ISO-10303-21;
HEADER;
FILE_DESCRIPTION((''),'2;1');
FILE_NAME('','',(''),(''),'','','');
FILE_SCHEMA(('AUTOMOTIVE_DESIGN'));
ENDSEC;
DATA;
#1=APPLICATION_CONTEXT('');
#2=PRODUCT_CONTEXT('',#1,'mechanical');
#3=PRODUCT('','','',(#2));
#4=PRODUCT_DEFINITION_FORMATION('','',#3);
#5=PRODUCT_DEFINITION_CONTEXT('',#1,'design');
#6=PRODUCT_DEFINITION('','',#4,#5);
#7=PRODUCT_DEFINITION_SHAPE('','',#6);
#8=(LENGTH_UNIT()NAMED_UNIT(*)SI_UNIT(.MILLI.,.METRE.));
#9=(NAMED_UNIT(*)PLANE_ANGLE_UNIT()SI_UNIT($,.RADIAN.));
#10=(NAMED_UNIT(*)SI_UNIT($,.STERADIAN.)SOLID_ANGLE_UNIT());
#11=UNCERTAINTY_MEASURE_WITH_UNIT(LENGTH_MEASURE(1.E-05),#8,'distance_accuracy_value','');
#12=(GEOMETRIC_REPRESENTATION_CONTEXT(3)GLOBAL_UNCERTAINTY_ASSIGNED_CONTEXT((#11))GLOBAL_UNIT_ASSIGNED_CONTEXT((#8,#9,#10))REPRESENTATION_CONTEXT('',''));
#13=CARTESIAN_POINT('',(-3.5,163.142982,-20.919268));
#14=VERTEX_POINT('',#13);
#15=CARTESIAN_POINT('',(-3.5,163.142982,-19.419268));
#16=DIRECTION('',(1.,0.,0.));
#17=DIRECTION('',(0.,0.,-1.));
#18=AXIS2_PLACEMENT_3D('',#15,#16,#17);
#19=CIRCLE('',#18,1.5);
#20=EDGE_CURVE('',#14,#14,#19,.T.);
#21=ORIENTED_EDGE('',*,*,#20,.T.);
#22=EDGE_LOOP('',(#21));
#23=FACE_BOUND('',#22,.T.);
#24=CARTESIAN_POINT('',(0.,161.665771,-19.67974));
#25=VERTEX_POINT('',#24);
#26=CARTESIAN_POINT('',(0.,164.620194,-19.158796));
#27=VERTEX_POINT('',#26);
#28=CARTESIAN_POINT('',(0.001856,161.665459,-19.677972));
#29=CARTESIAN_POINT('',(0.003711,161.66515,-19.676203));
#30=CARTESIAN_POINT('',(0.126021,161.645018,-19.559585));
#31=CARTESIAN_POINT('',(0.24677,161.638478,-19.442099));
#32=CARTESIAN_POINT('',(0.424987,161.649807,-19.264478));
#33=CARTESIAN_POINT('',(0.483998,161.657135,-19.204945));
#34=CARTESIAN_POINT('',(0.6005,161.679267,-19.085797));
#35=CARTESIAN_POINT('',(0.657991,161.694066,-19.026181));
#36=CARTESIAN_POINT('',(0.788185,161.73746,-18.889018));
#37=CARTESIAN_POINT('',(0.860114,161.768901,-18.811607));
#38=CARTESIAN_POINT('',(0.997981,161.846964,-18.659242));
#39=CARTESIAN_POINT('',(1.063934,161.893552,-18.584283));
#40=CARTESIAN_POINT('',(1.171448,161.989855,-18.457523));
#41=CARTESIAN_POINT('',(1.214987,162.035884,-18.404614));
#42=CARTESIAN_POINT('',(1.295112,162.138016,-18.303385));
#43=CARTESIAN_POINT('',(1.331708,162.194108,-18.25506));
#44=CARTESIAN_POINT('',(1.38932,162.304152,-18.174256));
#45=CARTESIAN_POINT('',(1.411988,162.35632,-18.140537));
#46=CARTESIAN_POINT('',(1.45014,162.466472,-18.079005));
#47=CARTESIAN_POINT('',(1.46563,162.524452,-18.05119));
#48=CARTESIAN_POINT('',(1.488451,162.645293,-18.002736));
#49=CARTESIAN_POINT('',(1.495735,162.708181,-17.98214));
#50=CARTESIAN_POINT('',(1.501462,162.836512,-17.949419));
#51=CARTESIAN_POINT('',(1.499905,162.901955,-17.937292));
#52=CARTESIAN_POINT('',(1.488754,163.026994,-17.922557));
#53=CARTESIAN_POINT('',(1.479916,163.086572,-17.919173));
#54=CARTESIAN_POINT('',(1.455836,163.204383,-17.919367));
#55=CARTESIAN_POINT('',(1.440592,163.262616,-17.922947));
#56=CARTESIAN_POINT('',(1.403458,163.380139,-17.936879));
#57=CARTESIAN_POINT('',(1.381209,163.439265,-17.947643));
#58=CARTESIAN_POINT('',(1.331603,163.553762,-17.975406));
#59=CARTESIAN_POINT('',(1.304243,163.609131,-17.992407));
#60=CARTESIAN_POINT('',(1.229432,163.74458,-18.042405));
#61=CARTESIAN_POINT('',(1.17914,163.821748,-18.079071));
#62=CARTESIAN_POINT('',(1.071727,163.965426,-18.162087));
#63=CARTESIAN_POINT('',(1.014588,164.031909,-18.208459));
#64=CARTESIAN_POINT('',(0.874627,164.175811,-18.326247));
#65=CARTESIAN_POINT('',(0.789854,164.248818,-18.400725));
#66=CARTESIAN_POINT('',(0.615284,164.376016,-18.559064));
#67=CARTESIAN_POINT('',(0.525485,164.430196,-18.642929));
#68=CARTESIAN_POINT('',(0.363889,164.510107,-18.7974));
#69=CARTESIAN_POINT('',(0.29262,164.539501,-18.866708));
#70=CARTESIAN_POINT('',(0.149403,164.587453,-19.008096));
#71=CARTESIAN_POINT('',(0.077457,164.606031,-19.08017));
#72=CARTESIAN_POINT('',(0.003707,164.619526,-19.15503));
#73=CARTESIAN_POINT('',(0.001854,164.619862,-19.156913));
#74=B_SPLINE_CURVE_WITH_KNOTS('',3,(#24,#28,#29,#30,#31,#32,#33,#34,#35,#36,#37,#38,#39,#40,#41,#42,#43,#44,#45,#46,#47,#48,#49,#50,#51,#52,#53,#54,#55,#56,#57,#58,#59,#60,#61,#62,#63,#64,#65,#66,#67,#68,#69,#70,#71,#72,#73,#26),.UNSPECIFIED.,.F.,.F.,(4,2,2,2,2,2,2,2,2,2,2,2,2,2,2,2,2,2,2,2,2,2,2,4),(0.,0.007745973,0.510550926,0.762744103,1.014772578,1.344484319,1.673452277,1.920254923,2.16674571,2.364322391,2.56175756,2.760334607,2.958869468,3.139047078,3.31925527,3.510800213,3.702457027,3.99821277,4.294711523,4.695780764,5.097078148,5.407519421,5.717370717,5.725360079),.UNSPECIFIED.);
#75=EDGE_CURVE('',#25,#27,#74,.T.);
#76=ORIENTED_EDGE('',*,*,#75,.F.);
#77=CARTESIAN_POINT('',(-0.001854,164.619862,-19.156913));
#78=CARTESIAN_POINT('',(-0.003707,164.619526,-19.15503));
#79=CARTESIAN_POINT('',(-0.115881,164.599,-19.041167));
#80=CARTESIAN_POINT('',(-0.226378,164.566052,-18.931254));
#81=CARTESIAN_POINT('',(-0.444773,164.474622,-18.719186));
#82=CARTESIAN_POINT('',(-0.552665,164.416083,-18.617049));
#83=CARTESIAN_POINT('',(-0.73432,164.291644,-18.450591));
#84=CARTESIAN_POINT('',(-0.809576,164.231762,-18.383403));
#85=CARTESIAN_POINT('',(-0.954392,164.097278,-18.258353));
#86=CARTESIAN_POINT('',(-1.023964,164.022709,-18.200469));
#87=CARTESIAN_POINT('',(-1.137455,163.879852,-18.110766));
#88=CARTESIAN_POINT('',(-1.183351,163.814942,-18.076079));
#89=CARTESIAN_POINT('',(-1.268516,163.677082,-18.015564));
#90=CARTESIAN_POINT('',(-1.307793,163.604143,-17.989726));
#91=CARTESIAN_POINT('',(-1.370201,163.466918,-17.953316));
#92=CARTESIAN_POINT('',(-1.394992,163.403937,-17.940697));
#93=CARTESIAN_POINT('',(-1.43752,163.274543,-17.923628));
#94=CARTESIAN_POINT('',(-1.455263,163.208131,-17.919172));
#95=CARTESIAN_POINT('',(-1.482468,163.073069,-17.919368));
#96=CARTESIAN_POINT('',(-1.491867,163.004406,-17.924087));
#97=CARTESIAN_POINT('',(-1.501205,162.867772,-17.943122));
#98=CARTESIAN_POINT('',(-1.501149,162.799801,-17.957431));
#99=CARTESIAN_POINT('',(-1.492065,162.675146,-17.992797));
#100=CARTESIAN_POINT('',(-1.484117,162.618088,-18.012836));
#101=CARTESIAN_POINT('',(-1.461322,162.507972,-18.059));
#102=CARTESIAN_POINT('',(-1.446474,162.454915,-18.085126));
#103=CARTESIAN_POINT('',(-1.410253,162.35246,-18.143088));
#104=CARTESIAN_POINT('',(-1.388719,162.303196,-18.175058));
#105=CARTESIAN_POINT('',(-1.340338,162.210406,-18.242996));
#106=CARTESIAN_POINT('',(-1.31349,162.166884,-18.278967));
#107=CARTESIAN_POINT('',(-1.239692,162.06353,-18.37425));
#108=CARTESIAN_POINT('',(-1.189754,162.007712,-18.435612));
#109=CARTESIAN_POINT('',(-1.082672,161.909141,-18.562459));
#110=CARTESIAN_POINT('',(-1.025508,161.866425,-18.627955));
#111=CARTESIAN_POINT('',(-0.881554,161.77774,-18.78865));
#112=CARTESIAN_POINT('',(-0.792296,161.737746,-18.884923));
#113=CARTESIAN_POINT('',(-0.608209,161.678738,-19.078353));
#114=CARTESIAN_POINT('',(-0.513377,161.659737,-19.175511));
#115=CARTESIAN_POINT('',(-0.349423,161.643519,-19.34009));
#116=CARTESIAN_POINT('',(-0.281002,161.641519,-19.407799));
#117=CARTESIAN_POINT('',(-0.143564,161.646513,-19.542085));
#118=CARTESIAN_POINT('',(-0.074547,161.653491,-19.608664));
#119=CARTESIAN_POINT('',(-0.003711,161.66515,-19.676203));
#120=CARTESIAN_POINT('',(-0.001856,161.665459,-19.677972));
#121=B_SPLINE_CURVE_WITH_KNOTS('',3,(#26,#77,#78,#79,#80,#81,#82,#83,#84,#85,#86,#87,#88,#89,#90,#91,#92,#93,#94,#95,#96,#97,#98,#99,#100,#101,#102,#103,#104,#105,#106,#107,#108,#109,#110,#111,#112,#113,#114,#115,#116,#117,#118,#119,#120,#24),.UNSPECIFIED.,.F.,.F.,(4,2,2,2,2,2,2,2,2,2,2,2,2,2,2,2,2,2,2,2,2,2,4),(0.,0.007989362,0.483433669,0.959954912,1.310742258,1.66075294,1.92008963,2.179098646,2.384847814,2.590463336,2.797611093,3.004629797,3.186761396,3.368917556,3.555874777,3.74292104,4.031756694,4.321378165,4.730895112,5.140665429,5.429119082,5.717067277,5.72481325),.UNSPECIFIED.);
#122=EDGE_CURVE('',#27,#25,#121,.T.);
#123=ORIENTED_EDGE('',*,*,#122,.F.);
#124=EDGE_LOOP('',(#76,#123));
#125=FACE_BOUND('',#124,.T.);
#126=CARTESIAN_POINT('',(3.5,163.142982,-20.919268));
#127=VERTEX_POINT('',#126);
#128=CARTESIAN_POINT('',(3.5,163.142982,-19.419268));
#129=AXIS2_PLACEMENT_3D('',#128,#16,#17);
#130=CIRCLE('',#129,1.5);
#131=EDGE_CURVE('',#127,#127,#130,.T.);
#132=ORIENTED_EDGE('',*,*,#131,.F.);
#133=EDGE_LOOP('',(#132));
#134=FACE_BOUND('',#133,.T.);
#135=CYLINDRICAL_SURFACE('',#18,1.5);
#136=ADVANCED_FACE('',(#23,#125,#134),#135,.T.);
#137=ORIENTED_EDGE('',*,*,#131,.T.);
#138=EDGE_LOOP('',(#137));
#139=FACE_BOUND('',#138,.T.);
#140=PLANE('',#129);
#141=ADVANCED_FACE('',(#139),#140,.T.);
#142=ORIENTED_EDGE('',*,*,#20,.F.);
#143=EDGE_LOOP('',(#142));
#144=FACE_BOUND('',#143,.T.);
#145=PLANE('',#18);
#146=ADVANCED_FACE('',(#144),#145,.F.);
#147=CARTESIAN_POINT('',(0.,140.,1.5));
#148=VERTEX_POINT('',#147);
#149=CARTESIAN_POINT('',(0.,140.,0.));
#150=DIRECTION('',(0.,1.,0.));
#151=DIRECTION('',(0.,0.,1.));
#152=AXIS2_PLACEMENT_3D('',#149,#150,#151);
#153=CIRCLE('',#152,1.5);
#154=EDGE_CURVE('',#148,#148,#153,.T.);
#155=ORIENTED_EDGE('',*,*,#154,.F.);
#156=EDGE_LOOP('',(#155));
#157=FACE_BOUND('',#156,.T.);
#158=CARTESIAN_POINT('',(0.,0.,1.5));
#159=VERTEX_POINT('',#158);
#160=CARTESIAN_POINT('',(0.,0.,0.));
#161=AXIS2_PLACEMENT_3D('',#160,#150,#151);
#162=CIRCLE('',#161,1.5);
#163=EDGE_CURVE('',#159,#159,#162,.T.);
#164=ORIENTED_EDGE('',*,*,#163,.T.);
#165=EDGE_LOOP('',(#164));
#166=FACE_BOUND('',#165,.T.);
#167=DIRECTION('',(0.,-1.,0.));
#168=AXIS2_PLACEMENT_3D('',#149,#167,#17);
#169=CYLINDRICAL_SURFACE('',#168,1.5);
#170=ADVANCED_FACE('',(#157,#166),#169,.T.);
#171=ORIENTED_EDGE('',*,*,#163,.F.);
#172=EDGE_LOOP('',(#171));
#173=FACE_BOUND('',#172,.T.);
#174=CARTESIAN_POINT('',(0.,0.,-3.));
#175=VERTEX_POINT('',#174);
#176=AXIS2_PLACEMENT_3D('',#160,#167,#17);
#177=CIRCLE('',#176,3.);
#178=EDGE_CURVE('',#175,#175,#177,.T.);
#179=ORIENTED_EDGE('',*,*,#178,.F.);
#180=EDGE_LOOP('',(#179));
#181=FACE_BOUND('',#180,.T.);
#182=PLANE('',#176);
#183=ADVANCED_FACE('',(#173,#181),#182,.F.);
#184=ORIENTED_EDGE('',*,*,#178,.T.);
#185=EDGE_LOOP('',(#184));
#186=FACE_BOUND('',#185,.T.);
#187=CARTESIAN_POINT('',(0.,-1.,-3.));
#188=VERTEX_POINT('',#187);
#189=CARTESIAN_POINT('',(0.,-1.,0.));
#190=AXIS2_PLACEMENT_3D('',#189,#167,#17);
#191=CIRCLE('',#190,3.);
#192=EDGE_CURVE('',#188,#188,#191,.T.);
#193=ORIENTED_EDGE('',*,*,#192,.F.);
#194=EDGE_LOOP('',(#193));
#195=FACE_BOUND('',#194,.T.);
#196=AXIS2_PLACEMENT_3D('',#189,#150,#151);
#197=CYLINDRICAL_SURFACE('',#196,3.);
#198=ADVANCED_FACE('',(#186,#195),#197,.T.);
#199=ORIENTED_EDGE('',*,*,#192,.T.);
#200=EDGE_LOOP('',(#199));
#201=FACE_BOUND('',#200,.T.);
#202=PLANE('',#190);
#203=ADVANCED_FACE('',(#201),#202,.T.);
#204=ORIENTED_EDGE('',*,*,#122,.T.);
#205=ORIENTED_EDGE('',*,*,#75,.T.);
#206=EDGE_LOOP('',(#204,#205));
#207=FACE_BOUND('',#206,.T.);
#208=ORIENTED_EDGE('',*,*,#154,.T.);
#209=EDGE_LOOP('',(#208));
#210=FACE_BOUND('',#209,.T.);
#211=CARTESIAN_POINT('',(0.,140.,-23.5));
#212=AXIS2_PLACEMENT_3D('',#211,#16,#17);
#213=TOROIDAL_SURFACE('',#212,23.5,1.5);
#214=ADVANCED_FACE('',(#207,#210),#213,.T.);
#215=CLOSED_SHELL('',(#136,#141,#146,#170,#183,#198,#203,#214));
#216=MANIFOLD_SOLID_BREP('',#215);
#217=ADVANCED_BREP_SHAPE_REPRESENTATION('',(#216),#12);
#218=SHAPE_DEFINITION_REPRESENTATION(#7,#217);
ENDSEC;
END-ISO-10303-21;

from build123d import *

# Parameters (mm, degrees)
SKETCH1_R                = 1.5
BOSS_EXTRUDE1_DEPTH      = 140
SKETCH4_R                = 3
BOSS_EXTRUDE4_DEPTH      = 1
SKETCH7_R                = 1.5000000000000002
REVOLVE1_ANGLE           = 80.00000000000017
BOSS_EXTRUDE5_DEPTH      = 3.5
BOSS_EXTRUDE5_DEPTH_BACK = 3.5
SKETCH8_R                = 1.5000000000000009


with BuildPart() as part:
    # Sketch1 → Boss-Extrude1 (new body)
    with BuildSketch(Plane(origin=(0, 0, 0), x_dir=(1, 0, 0), z_dir=(0, 1, 0))):
        Circle(SKETCH1_R)
    extrude(amount=BOSS_EXTRUDE1_DEPTH)

    # Sketch4 → Boss-Extrude4 (add)
    with BuildSketch(Plane.XZ):
        Circle(SKETCH4_R)
    extrude(amount=BOSS_EXTRUDE4_DEPTH)

    # Sketch7 → Revolve1 (revolve)
    with BuildSketch(Plane(origin=(0, 140, 0), x_dir=(1, 0, 0), z_dir=(0, 1, 0))):
        Circle(SKETCH7_R)
    revolve(axis=Axis((-42.51012264816653, 140, -23.499999999999993), (-1, 0, 8e-17)), revolution_arc=REVOLVE1_ANGLE)

    # Sketch8 → Boss-Extrude5 (add, two sides: drawn at the far end of the back side and taken through both)
    with BuildSketch(Plane(origin=(0, 0, 0), x_dir=(0, 0, -1), z_dir=(1, 0, 0)).offset(-BOSS_EXTRUDE5_DEPTH_BACK)):
        with Locations((19.419267824827195, 163.1429821957869)):
            Circle(SKETCH8_R)
    extrude(amount=BOSS_EXTRUDE5_DEPTH + BOSS_EXTRUDE5_DEPTH_BACK)


solid = part.part
